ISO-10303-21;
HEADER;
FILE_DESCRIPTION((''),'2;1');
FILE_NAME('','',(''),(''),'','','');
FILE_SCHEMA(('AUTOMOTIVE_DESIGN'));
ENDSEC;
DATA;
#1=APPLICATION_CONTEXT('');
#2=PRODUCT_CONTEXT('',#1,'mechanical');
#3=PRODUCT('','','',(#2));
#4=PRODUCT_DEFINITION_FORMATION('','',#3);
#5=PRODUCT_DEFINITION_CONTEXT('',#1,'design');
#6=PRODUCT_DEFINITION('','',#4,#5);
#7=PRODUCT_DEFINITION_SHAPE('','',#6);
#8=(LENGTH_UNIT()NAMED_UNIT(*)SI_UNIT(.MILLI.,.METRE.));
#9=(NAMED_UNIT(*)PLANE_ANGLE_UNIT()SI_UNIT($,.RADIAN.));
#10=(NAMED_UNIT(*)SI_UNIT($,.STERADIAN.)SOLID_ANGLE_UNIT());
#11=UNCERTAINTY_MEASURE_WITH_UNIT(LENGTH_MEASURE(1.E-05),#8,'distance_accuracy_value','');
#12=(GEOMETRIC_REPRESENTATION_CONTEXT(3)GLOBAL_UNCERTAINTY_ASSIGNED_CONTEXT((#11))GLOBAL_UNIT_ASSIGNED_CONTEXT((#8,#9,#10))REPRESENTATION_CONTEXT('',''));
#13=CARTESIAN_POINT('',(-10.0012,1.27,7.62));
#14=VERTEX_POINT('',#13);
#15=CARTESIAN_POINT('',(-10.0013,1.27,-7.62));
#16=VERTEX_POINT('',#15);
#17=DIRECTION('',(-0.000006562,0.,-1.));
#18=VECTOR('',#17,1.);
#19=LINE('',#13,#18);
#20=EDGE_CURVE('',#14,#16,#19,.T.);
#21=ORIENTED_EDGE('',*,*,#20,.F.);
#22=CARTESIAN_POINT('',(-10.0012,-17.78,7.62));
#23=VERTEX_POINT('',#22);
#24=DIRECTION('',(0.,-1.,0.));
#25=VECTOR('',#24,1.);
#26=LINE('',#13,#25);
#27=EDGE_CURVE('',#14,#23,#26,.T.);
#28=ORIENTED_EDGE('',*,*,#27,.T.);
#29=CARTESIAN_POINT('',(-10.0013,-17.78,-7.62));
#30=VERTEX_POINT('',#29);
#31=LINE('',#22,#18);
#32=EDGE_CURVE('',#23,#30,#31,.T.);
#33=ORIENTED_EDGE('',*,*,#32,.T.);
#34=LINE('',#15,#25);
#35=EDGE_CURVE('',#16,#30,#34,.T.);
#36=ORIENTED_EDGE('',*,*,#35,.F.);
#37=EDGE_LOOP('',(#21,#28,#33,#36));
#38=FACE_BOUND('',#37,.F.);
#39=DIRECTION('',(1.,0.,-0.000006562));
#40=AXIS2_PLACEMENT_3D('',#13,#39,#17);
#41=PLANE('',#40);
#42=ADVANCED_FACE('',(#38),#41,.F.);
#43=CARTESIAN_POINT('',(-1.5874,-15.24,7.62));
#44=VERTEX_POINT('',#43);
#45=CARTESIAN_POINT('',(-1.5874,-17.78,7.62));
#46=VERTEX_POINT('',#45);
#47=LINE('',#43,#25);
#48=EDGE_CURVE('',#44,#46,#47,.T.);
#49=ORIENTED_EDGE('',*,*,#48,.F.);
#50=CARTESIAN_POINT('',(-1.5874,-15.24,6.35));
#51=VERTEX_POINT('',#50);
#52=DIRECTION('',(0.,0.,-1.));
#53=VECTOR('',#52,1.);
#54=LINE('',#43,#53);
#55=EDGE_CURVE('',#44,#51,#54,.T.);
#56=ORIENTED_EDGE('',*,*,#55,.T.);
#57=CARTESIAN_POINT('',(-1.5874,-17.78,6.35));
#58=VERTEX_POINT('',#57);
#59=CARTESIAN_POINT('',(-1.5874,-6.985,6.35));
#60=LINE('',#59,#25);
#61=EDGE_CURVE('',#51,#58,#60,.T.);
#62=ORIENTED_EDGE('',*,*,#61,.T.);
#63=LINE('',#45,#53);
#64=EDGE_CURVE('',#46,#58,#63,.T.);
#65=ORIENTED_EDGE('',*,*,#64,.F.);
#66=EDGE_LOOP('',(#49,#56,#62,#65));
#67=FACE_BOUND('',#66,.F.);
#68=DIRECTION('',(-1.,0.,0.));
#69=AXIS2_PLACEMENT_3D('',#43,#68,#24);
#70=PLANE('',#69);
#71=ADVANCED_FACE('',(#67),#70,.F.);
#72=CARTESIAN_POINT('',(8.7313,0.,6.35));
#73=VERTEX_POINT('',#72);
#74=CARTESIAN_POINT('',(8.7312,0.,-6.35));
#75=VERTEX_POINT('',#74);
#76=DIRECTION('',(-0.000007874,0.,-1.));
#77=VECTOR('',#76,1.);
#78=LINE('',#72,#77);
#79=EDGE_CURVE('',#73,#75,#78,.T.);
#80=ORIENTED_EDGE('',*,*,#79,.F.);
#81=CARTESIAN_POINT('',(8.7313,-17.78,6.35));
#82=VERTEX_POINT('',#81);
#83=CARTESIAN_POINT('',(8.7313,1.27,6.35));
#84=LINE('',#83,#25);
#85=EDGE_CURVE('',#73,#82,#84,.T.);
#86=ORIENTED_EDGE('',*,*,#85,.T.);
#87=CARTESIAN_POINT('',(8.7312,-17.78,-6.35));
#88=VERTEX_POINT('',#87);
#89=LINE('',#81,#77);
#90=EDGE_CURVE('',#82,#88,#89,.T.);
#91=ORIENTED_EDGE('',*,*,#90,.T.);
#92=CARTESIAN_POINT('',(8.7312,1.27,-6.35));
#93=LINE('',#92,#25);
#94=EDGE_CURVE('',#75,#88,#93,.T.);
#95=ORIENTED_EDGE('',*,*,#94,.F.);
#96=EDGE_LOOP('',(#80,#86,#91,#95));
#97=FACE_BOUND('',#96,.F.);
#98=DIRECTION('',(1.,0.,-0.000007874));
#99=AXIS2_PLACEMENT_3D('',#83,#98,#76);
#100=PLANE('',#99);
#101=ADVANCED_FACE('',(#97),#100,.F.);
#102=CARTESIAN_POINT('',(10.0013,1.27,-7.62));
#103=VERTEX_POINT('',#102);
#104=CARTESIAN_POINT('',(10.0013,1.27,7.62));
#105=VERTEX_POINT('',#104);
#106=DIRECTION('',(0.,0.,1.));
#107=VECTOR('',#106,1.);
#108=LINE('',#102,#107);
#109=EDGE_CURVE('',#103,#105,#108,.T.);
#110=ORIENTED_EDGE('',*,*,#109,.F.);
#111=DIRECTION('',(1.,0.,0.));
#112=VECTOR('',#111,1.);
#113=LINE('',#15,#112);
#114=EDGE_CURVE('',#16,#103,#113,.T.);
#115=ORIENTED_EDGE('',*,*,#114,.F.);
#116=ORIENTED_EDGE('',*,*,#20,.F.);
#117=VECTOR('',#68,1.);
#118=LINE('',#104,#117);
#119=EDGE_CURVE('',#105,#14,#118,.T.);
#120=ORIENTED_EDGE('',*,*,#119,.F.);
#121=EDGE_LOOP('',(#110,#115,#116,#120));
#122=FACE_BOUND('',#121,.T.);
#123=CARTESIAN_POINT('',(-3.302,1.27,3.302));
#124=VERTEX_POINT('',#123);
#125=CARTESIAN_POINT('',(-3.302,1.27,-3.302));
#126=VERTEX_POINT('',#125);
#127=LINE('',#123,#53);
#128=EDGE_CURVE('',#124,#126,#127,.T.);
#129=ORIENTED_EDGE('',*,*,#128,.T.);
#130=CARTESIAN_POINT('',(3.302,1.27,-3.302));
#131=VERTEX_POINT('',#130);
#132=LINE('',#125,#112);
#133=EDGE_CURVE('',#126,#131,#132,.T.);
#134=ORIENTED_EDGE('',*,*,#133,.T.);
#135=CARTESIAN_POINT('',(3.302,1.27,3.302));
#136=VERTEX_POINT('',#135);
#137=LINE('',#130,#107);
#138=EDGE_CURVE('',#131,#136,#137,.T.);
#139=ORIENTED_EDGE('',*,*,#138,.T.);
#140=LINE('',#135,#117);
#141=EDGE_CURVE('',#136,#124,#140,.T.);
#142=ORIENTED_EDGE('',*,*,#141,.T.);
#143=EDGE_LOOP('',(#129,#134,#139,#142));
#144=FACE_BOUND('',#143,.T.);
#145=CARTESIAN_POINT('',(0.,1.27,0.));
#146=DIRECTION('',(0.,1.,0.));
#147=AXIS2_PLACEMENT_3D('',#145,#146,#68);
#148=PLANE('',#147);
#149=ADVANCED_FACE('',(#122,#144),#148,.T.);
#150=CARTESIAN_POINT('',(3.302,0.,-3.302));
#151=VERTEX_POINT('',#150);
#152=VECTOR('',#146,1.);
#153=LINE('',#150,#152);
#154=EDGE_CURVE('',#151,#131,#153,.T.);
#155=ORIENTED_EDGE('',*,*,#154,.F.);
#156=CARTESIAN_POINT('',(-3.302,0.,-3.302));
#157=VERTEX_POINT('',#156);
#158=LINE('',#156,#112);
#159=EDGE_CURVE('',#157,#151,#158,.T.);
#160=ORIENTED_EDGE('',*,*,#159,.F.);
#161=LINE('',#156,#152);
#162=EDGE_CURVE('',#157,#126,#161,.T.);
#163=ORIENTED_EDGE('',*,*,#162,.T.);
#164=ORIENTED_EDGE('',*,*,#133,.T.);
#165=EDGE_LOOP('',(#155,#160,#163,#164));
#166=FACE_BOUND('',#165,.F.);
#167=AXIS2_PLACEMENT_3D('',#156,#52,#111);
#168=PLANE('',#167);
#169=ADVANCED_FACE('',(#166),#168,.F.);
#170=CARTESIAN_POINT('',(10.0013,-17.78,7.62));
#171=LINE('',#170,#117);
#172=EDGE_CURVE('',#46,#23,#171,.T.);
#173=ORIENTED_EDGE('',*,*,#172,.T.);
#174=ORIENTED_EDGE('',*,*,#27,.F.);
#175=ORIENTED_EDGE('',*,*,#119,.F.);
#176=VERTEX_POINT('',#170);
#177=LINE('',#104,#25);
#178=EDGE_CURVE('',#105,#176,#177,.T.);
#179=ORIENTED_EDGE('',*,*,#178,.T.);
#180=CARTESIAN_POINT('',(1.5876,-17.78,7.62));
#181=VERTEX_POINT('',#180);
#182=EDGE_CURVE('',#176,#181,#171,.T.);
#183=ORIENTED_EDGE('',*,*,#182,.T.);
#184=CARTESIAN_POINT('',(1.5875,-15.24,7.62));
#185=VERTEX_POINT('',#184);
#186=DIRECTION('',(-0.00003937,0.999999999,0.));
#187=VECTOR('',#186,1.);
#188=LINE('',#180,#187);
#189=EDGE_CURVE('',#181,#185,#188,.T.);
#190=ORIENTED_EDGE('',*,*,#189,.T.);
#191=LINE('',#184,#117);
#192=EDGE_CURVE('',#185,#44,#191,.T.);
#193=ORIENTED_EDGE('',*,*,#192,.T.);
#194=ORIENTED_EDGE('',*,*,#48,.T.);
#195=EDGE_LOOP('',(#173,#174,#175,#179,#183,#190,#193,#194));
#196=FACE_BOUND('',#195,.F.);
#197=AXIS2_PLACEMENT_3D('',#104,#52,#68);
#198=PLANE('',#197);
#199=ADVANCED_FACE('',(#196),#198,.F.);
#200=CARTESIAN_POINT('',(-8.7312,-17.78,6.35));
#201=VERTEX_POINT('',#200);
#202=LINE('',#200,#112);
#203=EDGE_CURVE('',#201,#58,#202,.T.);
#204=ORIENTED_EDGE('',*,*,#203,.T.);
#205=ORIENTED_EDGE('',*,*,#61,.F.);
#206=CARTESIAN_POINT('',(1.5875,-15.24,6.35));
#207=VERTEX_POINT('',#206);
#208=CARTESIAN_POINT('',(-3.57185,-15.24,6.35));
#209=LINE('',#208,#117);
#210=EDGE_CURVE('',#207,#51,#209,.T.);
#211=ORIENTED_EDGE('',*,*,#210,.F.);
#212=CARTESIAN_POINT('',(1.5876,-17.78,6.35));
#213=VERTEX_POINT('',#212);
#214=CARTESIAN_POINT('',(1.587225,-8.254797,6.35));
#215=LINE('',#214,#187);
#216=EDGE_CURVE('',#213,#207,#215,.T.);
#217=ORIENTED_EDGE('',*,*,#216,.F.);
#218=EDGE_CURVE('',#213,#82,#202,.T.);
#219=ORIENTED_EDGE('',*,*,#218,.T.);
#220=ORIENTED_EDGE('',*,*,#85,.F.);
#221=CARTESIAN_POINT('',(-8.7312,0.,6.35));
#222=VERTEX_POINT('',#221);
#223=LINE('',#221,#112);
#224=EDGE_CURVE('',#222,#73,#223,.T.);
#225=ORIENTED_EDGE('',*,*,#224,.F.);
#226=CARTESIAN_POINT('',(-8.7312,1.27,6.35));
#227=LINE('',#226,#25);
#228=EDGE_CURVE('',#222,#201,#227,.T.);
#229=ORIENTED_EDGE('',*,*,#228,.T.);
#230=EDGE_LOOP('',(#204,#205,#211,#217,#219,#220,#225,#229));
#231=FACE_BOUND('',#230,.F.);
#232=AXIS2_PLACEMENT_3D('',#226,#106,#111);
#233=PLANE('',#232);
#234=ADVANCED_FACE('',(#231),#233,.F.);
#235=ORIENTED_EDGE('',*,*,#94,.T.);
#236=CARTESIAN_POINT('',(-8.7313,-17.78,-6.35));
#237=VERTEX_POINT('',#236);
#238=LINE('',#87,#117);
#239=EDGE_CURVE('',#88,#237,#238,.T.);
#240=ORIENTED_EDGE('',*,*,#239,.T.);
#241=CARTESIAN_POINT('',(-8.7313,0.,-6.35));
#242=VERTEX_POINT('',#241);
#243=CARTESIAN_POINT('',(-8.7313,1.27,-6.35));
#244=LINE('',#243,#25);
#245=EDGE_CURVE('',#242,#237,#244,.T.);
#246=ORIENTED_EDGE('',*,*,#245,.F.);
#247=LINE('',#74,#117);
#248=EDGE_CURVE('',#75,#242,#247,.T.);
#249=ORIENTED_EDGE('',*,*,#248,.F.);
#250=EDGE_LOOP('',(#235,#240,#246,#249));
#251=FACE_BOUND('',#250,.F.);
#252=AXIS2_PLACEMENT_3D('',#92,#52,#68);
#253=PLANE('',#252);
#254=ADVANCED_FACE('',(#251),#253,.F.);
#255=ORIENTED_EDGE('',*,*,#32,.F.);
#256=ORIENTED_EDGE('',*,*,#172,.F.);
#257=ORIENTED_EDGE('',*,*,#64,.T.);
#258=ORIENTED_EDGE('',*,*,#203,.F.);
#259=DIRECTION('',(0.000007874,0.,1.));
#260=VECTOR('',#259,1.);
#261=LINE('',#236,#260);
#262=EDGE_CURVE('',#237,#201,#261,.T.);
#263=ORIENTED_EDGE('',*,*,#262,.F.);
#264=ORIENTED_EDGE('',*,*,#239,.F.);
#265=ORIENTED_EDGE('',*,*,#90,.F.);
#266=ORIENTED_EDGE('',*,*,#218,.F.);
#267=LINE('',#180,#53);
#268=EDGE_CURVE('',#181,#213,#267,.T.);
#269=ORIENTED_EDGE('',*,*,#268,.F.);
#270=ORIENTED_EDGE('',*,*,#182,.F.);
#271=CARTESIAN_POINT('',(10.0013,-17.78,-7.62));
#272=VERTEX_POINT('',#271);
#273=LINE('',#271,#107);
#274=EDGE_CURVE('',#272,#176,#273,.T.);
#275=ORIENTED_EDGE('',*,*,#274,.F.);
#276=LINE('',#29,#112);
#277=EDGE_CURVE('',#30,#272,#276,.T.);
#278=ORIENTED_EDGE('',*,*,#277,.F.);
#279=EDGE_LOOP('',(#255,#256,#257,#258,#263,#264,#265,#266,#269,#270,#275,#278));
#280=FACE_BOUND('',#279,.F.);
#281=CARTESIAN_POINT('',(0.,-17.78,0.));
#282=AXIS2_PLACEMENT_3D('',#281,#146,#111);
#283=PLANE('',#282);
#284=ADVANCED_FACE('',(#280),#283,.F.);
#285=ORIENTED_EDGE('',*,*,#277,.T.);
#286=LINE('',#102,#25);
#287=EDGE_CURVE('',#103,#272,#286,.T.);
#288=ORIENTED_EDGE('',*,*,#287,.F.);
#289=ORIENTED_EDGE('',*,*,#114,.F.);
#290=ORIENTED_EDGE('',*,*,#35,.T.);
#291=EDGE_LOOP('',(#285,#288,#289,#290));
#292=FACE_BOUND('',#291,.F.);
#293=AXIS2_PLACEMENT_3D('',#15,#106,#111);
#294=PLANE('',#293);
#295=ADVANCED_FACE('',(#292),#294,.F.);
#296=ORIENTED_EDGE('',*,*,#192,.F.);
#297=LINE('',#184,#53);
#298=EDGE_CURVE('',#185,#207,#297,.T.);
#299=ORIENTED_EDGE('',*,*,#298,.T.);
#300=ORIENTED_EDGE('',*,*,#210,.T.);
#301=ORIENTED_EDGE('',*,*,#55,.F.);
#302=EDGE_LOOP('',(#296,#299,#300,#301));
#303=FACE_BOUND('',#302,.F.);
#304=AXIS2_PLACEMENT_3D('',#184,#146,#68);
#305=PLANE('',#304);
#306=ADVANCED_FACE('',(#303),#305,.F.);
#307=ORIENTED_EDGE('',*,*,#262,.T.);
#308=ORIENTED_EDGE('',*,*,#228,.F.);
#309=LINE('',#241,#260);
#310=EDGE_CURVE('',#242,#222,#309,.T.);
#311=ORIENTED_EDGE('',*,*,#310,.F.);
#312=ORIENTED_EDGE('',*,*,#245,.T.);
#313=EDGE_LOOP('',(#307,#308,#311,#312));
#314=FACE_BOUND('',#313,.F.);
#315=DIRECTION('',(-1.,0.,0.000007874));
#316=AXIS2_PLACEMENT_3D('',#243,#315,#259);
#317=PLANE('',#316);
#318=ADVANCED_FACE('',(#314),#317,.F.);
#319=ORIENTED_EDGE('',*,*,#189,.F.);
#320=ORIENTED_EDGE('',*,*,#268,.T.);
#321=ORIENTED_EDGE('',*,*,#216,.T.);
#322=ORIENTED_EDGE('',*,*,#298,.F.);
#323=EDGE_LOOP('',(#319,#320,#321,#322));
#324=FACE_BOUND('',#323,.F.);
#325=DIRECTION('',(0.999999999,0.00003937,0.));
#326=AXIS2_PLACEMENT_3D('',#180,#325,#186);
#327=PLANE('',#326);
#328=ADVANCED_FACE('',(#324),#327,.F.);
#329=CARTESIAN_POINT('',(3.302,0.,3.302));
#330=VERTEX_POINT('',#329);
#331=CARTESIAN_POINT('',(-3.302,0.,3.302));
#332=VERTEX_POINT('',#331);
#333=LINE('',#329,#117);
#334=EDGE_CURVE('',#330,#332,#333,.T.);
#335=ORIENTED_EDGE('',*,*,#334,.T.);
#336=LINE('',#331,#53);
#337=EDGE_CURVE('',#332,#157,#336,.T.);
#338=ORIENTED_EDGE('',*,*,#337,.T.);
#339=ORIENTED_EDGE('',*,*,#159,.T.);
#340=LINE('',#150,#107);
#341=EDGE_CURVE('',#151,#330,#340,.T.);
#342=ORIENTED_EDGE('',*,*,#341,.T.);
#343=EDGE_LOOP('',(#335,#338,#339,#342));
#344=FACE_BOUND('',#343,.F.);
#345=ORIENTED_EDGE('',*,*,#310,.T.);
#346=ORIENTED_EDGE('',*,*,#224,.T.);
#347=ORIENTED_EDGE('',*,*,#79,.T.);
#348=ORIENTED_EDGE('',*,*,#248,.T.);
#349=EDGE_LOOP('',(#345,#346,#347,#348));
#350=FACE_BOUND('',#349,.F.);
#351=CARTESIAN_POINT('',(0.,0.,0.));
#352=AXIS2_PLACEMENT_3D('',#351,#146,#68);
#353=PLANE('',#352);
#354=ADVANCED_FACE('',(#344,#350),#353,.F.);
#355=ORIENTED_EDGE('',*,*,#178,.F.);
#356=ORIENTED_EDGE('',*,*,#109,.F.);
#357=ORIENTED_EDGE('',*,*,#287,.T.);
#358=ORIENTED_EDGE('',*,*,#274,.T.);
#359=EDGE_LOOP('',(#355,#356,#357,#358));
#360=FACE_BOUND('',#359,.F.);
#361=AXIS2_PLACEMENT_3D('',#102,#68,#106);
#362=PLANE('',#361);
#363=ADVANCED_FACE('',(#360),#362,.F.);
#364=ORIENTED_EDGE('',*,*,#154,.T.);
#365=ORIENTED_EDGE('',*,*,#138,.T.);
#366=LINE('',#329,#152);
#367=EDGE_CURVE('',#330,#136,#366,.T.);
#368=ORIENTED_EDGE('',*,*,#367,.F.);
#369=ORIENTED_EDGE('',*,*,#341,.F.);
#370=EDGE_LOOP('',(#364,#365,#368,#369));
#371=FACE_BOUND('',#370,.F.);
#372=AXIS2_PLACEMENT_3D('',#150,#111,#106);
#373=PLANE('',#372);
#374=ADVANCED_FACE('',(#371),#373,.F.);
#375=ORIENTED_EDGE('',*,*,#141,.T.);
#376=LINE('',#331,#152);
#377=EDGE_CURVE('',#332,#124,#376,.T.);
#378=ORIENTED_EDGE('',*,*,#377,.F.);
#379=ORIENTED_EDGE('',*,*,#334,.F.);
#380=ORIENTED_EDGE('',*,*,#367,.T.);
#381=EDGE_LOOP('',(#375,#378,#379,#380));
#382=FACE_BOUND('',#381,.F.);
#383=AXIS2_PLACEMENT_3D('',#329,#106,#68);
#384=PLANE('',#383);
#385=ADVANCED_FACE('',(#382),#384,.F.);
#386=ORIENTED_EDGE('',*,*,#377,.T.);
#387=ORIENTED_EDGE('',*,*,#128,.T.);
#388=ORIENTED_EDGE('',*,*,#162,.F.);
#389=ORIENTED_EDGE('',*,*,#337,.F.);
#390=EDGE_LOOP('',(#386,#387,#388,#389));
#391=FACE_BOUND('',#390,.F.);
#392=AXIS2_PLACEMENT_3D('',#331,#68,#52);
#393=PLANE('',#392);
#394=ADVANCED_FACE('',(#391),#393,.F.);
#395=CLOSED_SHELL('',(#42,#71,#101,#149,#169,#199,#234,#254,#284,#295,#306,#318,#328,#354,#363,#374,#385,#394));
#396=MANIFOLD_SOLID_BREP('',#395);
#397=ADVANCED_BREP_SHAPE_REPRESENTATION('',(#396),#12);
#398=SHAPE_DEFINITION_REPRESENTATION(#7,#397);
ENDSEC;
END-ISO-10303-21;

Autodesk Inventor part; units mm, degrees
ref_plane "YZ Plane" through (0, 0, 0) normal (1, 0, 0) x (0, 1, 0)
ref_plane "XZ Plane" through (0, 0, 0) normal (0, 1, 0) x (-1, 0, 0)
ref_plane "XY Plane" through (0, 0, 0) normal (0, 0, 1) x (1, 0, 0)
sketch "Sketch1" plane through (0, 0, 0) normal (0, 1, 0) x (-1, 0, 0)
  line L0 (8.7312, 6.35) -> (-8.7313, 6.35)
  line L1 (-8.7313, 6.35) -> (-8.7312, -6.35)
  line L2 (-8.7312, -6.35) -> (8.7313, -6.35)
  line L3 (8.7313, -6.35) -> (8.7312, 6.35)
  line L4 (3.302, -3.302) -> (-3.302, -3.302)
  line L5 (-3.302, -3.302) -> (-3.302, 3.302)
  line L6 (-3.302, 3.302) -> (3.302, 3.302)
  line L7 (3.302, 3.302) -> (3.302, -3.302)
  point P0 (0, 0)
  dimension "d0" = 12.7
  dimension "d1" = 17.4625
  dimension "d2" = 6.35
  dimension "d3" = 8.7312
  dimension "d16" = 6.604
  dimension "d17" = 6.604
  dimension "d18" = 3.302
  dimension "d19" = 3.302
extrude "Extrusion1" add sketch "Sketch1" along normal blind 1.27
sketch "Sketch2" plane through (0, 1.27, 0) normal (0, 1, 0) x (1, 0, 0)
  line L0 (8.7313, -6.35) -> (8.7312, 6.35) projected
  line L1 (8.7312, 6.35) -> (-8.7313, 6.35) projected
  line L2 (-8.7313, 6.35) -> (-8.7312, -6.35) projected
  line L3 (-8.7312, -6.35) -> (8.7313, -6.35) projected
  line L4 (-10.0012, -7.62) -> (-10.0013, 7.62)
  line L5 (-10.0013, 7.62) -> (10.0013, 7.62)
  line L6 (10.0013, 7.62) -> (10.0013, -7.62)
  line L7 (10.0013, -7.62) -> (-10.0012, -7.62)
  point P0 (0, 0)
  dimension "d7" = 1.27
extrude "Extrusion2" add sketch "Sketch2" against normal blind 19.05
sketch "Sketch3" plane through (-10.0012, 1.27, 7.62) normal (0, 0, 1) x (1, 0, 0)
  line L0 (0, 0) -> (20.0025, 0) projected
  line L1 (0, 0) -> (0, -19.05) projected
  line L2 (20.0025, -19.05) -> (0, -19.05) projected
  line L3 (20.0025, 0) -> (20.0025, -19.05) projected
  line L4 (0, -19.05) -> (20.0025, -19.05) projected
  line L5 (8.4138, -19.05) -> (11.5888, -19.05)
  line L6 (11.5888, -19.05) -> (11.5887, -16.51)
  line L7 (11.5887, -16.51) -> (8.4138, -16.51)
  line L8 (8.4138, -16.51) -> (8.4138, -19.05)
  point P0 (10.0012, -1.27)
  point P1 (10.0012, -16.51)
  dimension "d10" = 3.175
  dimension "d11" = 20.0025
  dimension "d12" = 10.0013
  dimension "d13" = 2.54
extrude "Extrusion3" cut sketch "Sketch3" against normal blind 3.81 contours L8 L7 L6 L2
equation "\"d2\" = 0.5 * d0"
equation "\"d3\" = 0.5 * d1"
equation "\"d18\" = 0.5 * d16"
equation "\"d19\" = 0.5 * d17"
equation "\"d12\" = 0.5 * d11"
properties part number "button_holder"
